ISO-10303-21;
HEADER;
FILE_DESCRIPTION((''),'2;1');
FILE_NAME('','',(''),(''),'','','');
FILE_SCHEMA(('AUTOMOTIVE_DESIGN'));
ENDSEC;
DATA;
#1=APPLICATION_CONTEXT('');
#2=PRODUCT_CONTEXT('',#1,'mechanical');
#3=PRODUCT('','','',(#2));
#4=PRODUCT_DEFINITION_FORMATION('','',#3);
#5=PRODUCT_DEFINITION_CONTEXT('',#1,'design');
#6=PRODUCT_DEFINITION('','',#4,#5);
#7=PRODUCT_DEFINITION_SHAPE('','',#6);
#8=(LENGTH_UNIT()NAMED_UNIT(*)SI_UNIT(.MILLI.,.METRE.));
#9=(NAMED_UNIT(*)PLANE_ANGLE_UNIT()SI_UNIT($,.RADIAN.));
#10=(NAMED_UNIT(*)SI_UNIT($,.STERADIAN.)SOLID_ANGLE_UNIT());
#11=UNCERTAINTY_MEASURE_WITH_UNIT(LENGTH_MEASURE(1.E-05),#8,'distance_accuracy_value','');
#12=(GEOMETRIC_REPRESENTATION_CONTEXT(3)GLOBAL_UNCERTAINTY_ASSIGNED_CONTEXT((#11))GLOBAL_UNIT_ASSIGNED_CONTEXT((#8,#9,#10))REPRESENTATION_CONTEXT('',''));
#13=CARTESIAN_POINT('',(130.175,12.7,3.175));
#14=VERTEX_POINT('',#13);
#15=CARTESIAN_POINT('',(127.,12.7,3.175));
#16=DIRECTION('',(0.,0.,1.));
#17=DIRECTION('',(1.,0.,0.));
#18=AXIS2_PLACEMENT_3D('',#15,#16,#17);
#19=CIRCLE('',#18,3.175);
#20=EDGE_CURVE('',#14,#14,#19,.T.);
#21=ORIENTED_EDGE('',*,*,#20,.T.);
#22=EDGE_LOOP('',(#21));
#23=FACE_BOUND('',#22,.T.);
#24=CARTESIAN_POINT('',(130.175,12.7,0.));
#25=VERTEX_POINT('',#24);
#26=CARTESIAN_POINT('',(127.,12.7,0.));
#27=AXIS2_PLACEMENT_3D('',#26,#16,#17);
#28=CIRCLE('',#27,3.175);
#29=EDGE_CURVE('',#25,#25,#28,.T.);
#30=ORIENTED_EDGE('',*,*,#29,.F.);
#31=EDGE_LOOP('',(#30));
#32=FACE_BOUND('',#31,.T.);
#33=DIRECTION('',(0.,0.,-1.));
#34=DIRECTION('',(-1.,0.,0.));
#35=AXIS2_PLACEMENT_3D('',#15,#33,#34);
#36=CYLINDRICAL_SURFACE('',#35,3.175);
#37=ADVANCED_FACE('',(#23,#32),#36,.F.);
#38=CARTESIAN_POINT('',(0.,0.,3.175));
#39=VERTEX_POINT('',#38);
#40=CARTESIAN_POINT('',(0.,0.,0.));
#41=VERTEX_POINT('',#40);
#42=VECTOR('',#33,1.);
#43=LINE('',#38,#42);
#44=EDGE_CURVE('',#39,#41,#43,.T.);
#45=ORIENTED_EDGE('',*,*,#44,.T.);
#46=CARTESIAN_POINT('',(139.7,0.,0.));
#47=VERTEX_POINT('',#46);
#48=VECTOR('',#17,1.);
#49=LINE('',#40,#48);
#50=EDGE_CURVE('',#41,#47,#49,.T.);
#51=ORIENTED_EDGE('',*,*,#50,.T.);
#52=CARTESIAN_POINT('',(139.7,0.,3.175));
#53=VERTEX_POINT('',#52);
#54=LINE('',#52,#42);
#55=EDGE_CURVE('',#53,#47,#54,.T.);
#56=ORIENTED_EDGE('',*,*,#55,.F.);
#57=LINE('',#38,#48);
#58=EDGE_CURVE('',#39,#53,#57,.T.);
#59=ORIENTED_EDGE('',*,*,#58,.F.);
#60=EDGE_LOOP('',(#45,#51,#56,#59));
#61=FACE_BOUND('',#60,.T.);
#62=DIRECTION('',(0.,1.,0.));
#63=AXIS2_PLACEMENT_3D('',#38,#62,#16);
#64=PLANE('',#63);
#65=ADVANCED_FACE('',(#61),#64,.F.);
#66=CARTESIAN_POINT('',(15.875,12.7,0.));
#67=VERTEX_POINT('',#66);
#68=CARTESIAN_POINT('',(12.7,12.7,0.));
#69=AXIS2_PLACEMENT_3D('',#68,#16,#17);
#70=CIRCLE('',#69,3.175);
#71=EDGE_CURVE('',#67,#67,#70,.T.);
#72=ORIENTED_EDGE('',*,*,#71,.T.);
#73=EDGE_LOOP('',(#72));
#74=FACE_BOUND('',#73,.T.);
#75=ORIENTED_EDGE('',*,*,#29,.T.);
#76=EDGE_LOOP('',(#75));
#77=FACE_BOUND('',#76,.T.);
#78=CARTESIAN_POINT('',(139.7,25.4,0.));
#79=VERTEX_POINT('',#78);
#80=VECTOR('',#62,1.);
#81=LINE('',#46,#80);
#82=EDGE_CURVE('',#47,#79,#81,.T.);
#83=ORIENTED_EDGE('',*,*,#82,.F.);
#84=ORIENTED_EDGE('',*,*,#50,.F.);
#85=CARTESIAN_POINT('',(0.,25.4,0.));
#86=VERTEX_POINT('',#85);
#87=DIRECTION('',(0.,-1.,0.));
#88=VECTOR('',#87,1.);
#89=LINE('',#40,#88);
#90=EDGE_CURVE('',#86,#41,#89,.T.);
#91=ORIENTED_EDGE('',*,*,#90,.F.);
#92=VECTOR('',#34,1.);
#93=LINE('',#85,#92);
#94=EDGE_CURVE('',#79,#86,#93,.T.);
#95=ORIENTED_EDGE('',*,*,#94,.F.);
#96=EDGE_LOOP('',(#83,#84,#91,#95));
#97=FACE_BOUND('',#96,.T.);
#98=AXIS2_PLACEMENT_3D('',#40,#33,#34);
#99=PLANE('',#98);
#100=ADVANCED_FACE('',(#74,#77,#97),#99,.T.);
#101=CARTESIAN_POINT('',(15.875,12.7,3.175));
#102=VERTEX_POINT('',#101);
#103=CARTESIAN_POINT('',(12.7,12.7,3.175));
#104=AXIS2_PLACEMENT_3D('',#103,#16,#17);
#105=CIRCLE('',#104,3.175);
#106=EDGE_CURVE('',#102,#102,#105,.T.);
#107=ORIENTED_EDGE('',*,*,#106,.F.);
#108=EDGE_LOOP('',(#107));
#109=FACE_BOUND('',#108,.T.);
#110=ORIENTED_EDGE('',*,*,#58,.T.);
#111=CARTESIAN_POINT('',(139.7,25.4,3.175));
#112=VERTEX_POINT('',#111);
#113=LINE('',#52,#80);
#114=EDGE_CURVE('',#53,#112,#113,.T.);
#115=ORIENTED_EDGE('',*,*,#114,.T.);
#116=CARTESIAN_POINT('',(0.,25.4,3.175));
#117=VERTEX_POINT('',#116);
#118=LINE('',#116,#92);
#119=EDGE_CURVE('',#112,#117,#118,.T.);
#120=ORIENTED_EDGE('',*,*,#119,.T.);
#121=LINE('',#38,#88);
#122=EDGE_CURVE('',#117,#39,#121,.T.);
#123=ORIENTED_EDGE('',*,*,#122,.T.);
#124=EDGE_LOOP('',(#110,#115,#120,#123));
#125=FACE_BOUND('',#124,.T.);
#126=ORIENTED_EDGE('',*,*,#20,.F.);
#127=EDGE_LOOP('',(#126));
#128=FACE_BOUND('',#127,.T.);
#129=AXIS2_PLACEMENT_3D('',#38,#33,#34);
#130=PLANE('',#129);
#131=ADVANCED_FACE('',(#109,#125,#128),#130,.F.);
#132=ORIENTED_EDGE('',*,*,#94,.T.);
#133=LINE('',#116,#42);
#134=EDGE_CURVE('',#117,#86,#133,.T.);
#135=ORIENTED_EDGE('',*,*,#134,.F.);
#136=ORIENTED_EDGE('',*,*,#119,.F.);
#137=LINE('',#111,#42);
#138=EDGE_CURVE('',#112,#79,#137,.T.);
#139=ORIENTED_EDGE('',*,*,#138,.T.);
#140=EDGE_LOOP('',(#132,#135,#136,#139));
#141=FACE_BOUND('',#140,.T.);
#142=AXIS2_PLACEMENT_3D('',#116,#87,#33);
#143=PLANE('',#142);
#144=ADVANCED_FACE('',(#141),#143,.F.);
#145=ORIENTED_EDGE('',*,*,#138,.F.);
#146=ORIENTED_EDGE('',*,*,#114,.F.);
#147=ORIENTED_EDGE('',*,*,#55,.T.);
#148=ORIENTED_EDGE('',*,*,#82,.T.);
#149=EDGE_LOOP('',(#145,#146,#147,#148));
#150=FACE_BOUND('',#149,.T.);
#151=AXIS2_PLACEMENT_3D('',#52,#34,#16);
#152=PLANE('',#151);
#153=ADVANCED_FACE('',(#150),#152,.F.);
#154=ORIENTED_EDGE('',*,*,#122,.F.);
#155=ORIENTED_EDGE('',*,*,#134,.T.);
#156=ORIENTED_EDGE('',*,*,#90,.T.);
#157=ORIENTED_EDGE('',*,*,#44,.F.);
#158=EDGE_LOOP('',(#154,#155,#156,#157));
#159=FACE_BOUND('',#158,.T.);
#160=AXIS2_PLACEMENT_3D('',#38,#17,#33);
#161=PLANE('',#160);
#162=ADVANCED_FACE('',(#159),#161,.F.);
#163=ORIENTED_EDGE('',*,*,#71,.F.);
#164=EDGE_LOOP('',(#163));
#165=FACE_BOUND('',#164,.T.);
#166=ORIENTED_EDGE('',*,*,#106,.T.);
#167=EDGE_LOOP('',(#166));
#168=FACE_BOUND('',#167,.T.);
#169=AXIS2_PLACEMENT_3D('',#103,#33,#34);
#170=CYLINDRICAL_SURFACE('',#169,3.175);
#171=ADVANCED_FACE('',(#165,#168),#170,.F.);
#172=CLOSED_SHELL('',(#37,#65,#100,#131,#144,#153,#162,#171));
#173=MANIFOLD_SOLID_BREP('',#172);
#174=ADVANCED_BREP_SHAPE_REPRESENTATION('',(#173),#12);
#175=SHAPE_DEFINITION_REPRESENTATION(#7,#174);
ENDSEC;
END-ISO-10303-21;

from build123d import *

# Parameters (mm, degrees)
SKETCH1_W           = 139.7
SKETCH1_H           = 25.4
SKETCH1_R           = 3.175
BOSS_EXTRUDE1_DEPTH = 3.175


with BuildPart() as part:
    # Sketch1 → Boss-Extrude1 (new body)
    with BuildSketch(Plane.XY):
        with Locations((69.85, 12.7)):
            Rectangle(SKETCH1_W, SKETCH1_H)
        with Locations((12.7, 12.7)):
            Circle(SKETCH1_R, mode=Mode.SUBTRACT)
        with Locations((127, 12.7)):
            Circle(SKETCH1_R, mode=Mode.SUBTRACT)
    extrude(amount=BOSS_EXTRUDE1_DEPTH)


solid = part.part
